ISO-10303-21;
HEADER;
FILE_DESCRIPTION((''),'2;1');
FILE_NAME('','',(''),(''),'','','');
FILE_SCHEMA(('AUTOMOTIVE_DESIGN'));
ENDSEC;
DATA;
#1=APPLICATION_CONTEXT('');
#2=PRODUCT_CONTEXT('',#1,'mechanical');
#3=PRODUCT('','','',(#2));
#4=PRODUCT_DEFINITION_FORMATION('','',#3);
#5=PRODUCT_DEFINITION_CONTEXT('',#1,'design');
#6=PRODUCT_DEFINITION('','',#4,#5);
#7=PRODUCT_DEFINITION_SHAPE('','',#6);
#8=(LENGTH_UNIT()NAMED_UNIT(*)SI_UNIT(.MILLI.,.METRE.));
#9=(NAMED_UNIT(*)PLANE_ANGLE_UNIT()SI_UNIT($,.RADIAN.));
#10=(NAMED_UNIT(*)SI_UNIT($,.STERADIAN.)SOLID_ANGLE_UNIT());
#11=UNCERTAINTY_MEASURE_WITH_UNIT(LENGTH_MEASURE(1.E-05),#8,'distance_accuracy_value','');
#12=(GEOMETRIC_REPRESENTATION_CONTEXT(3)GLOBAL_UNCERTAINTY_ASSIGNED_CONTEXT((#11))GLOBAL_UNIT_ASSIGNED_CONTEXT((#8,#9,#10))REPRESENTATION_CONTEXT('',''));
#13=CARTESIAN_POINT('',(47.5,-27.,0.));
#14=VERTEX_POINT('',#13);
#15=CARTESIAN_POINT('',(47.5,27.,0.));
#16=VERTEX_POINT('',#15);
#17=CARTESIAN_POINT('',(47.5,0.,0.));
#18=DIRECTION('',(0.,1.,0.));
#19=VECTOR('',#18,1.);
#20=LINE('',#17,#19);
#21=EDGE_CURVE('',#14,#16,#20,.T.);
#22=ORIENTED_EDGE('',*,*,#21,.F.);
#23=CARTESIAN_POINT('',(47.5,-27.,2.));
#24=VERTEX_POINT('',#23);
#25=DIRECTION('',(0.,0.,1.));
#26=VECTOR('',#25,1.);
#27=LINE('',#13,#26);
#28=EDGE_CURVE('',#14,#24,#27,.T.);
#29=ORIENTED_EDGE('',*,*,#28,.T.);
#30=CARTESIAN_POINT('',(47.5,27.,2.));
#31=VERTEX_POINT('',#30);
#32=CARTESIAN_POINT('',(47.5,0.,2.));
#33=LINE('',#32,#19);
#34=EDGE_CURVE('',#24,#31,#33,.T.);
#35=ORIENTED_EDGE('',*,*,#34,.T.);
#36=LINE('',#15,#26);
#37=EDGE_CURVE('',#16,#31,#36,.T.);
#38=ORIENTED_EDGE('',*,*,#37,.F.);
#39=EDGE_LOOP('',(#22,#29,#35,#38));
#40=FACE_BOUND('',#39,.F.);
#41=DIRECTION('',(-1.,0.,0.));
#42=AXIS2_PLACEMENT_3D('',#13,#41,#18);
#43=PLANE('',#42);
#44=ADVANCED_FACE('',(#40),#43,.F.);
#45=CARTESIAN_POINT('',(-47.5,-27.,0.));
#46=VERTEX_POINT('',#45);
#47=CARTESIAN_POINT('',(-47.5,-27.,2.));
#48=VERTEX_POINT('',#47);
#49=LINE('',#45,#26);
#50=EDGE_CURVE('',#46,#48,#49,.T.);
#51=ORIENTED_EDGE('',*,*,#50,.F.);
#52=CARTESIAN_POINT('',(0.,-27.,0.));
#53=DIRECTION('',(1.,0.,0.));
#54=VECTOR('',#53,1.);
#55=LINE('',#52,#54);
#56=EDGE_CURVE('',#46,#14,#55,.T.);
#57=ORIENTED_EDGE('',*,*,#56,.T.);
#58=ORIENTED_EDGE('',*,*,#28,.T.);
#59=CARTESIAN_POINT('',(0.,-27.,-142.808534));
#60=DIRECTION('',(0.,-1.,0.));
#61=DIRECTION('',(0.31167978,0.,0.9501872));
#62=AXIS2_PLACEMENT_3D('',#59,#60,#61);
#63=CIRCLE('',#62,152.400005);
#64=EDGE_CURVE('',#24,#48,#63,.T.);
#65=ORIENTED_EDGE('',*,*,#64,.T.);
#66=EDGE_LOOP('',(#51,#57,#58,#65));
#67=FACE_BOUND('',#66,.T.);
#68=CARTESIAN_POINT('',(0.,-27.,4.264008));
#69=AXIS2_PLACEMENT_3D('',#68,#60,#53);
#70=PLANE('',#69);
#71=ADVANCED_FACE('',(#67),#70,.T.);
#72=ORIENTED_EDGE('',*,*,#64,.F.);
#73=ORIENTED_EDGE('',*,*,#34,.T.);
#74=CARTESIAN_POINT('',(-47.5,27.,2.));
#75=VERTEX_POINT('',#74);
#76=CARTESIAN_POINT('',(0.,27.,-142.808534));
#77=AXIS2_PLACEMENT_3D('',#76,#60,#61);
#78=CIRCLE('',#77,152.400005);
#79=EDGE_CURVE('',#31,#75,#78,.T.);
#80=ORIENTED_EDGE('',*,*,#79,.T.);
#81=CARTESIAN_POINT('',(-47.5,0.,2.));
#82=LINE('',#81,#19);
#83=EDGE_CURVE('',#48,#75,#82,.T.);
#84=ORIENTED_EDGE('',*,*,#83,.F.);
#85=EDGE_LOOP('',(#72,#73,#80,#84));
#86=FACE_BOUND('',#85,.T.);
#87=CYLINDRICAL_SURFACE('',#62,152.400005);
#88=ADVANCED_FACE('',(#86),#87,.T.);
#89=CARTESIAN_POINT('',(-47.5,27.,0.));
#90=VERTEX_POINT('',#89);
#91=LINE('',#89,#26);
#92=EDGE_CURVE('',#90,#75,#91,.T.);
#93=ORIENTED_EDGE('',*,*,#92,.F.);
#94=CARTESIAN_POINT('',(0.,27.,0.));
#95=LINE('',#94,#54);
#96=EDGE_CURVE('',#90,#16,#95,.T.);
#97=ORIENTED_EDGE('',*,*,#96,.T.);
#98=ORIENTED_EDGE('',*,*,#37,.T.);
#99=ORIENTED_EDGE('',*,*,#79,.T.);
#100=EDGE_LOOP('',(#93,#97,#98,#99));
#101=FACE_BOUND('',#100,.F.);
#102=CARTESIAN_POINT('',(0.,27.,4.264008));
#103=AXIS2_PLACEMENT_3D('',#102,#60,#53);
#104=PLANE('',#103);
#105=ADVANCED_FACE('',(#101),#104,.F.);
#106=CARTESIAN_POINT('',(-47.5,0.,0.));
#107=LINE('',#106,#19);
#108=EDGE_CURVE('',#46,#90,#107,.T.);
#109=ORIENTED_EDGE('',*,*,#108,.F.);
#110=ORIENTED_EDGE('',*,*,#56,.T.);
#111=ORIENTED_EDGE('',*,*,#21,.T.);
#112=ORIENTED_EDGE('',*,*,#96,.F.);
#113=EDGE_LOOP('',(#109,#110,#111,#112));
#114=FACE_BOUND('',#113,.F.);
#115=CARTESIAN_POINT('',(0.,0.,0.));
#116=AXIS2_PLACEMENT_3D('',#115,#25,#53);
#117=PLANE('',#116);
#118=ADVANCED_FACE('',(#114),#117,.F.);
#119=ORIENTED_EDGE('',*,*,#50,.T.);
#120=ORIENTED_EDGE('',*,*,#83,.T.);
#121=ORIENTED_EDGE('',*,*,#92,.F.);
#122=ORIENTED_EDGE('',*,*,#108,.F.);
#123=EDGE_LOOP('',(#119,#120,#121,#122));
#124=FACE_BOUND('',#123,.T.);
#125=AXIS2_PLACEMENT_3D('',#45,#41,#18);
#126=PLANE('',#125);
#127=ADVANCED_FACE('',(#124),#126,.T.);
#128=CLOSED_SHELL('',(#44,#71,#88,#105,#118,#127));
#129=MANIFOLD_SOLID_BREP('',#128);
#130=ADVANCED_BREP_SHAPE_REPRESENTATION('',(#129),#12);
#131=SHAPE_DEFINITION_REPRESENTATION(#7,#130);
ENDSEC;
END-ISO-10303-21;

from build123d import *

# Parameters (mm, degrees)
F0_W     = 95
F0_H     = 54
F1_DEPTH = 2
F3_DEPTH = 54


with BuildPart() as f1:
    # F0 (on Top) → F1 (new body)
    with BuildSketch(Plane.XY):
        Rectangle(F0_W, F0_H)
    extrude(amount=F1_DEPTH)

    # F2 (on face) → F3 (join)
    with BuildSketch(Plane.XZ.offset(27)):
        with BuildLine():
            Line((-47.5, 2), (47.5, 2))
            ThreePointArc((47.5, 2), (0, 9.591471), (-47.5, 2))
        make_face()
    extrude(amount=-F3_DEPTH)


solid = f1.part
